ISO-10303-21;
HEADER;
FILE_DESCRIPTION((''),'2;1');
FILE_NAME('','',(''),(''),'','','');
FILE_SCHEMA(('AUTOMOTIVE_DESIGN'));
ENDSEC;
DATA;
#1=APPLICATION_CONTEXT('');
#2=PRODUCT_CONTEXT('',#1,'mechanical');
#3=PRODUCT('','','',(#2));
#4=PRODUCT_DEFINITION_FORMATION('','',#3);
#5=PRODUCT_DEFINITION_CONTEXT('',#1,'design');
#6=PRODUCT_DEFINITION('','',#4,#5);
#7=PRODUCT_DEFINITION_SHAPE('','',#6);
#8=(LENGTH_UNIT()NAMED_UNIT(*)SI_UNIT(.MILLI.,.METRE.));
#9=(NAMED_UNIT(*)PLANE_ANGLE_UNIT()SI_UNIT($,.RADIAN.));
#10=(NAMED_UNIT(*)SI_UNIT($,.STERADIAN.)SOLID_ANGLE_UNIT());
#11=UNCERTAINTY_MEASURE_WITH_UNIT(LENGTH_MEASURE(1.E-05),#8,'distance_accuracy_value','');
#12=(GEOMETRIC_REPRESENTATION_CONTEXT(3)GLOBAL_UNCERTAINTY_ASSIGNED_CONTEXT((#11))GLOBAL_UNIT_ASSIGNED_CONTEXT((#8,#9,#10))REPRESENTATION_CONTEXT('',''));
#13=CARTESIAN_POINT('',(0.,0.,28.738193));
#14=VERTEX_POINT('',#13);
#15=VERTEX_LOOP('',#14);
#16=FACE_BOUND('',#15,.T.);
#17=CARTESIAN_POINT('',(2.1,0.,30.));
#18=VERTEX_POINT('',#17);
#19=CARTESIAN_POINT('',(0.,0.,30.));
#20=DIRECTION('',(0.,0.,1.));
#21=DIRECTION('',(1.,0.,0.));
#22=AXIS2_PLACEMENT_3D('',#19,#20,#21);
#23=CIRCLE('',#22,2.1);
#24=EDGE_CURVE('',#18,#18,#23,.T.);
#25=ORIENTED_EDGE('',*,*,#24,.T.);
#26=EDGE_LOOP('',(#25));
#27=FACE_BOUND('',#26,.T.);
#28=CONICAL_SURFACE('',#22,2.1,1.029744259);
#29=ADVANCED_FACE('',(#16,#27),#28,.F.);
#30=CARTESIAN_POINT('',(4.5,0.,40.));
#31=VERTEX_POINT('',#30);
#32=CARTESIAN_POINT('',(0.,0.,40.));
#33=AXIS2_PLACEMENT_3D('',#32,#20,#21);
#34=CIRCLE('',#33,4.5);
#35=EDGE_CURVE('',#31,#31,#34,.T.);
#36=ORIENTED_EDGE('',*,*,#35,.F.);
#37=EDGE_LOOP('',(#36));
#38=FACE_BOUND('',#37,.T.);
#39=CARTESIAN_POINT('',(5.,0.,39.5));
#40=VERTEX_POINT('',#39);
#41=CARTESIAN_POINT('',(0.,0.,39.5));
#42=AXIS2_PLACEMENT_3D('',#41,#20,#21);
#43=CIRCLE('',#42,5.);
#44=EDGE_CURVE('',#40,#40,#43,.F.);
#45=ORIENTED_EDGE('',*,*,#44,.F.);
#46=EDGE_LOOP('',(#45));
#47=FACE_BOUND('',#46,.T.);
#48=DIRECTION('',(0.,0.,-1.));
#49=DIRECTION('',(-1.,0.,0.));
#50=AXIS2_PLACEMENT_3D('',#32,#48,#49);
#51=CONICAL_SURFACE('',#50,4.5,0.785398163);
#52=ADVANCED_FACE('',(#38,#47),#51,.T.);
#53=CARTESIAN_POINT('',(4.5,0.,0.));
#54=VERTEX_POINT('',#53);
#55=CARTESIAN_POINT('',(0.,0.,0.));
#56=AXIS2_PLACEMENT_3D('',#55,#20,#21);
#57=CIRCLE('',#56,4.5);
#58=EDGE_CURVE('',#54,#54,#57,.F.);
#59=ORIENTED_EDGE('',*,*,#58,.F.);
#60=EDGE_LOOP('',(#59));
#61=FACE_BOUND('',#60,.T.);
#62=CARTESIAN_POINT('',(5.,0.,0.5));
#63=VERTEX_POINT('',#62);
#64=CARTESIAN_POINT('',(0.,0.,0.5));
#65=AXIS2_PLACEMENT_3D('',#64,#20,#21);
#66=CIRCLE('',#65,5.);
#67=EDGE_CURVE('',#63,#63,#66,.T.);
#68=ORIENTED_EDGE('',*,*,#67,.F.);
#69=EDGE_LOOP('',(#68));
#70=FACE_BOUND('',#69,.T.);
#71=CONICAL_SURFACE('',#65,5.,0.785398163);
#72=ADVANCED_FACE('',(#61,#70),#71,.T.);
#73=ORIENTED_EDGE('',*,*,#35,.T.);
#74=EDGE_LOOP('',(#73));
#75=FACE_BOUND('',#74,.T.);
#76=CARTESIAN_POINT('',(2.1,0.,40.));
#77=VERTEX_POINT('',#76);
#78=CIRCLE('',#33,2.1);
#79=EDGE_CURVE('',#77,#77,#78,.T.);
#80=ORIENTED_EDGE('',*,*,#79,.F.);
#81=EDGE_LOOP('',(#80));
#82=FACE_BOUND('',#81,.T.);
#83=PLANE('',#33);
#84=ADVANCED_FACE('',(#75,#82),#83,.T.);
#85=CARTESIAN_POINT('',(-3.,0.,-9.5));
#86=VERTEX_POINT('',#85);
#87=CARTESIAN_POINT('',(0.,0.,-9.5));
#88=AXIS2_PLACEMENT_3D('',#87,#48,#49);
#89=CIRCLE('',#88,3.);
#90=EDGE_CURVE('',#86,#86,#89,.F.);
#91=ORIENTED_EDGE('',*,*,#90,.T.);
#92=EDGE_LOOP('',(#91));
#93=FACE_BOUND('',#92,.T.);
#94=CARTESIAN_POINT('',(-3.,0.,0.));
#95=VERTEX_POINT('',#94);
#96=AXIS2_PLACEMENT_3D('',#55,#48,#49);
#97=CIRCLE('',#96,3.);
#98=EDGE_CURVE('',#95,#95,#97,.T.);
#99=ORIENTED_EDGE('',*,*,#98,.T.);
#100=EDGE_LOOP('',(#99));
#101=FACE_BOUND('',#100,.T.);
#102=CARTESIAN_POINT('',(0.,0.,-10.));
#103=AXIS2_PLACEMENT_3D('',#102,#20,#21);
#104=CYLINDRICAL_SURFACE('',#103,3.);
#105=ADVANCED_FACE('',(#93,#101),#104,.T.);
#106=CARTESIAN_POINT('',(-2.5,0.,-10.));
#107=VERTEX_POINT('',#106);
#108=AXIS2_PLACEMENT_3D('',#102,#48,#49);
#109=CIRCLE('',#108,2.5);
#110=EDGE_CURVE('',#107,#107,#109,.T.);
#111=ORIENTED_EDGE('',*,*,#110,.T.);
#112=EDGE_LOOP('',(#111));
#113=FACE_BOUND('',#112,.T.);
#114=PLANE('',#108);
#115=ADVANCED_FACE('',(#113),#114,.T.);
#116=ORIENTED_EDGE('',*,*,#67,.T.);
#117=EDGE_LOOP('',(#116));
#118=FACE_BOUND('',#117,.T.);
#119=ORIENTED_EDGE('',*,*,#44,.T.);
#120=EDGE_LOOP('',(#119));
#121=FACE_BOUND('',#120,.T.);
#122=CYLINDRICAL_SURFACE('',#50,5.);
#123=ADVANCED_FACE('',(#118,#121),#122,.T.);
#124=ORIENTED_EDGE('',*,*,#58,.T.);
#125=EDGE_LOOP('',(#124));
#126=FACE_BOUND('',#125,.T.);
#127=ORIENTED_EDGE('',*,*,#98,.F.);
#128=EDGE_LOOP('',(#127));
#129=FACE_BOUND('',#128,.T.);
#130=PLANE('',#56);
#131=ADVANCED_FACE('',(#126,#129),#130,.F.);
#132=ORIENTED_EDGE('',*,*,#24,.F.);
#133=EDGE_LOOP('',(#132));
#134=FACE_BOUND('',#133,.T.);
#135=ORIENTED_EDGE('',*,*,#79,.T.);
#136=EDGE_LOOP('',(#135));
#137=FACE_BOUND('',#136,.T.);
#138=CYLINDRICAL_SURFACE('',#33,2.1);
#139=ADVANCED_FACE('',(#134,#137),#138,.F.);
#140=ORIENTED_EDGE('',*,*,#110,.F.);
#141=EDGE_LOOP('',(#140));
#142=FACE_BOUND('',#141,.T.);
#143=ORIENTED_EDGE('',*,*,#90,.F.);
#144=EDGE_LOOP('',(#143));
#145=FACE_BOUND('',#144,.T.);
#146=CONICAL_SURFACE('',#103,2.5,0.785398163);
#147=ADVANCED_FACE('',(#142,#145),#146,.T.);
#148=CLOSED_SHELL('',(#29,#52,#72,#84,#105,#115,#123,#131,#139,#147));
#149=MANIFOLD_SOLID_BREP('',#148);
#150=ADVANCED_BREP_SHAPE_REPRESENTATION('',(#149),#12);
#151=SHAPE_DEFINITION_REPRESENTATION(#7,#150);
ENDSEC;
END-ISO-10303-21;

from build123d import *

# Parameters (mm, degrees)
ESQUISSE1_R                                   = 5
BOSS_EXTRU_1_DEPTH                            = 40
ESQUISSE2_R                                   = 3
BOSS_EXTRU_2_DEPTH                            = 10
TROU_POUR_TARAUDAGE_POUR_TROU_TARAUD_M5_D     = 4.2
TROU_POUR_TARAUDAGE_POUR_TROU_TARAUD_M5_DEPTH = 10
TROU_POUR_TARAUDAGE_POUR_TROU_TARAUD_M5_TIP   = 1.2618073
CHANFREIN1_SIZE                               = 0.5


with BuildPart() as part:
    # Esquisse1 → Boss.-Extru.1 (new body)
    with BuildSketch(Plane.XY):
        Circle(ESQUISSE1_R)
    extrude(amount=BOSS_EXTRU_1_DEPTH)

    # Esquisse2 → Boss.-Extru.2 (add)
    with BuildSketch(Plane(origin=(0, 0, 0), x_dir=(-1, 0, 0), z_dir=(0, 0, -1))):
        Circle(ESQUISSE2_R)
    extrude(amount=BOSS_EXTRU_2_DEPTH)

    # Trou pour taraudage pour trou taraudé M51
    with Locations(Plane.XY.offset(40)):
        with Locations((0, 0)):
            Hole(TROU_POUR_TARAUDAGE_POUR_TROU_TARAUD_M5_D / 2, depth=TROU_POUR_TARAUDAGE_POUR_TROU_TARAUD_M5_DEPTH)
            with Locations((0, 0, -(TROU_POUR_TARAUDAGE_POUR_TROU_TARAUD_M5_DEPTH + TROU_POUR_TARAUDAGE_POUR_TROU_TARAUD_M5_TIP / 2))):  # 118° drill point
                Cone(0, TROU_POUR_TARAUDAGE_POUR_TROU_TARAUD_M5_D / 2, TROU_POUR_TARAUDAGE_POUR_TROU_TARAUD_M5_TIP, mode=Mode.SUBTRACT)

    # Chanfrein1
    chanfrein1_edges = [part.edges().sort_by_distance(p)[0] for p in [
        (-5, 0, 0),
        (-5, 0, 40),
        (3, 0, -10),
    ]]
    chamfer(chanfrein1_edges, length=CHANFREIN1_SIZE)


solid = part.part
